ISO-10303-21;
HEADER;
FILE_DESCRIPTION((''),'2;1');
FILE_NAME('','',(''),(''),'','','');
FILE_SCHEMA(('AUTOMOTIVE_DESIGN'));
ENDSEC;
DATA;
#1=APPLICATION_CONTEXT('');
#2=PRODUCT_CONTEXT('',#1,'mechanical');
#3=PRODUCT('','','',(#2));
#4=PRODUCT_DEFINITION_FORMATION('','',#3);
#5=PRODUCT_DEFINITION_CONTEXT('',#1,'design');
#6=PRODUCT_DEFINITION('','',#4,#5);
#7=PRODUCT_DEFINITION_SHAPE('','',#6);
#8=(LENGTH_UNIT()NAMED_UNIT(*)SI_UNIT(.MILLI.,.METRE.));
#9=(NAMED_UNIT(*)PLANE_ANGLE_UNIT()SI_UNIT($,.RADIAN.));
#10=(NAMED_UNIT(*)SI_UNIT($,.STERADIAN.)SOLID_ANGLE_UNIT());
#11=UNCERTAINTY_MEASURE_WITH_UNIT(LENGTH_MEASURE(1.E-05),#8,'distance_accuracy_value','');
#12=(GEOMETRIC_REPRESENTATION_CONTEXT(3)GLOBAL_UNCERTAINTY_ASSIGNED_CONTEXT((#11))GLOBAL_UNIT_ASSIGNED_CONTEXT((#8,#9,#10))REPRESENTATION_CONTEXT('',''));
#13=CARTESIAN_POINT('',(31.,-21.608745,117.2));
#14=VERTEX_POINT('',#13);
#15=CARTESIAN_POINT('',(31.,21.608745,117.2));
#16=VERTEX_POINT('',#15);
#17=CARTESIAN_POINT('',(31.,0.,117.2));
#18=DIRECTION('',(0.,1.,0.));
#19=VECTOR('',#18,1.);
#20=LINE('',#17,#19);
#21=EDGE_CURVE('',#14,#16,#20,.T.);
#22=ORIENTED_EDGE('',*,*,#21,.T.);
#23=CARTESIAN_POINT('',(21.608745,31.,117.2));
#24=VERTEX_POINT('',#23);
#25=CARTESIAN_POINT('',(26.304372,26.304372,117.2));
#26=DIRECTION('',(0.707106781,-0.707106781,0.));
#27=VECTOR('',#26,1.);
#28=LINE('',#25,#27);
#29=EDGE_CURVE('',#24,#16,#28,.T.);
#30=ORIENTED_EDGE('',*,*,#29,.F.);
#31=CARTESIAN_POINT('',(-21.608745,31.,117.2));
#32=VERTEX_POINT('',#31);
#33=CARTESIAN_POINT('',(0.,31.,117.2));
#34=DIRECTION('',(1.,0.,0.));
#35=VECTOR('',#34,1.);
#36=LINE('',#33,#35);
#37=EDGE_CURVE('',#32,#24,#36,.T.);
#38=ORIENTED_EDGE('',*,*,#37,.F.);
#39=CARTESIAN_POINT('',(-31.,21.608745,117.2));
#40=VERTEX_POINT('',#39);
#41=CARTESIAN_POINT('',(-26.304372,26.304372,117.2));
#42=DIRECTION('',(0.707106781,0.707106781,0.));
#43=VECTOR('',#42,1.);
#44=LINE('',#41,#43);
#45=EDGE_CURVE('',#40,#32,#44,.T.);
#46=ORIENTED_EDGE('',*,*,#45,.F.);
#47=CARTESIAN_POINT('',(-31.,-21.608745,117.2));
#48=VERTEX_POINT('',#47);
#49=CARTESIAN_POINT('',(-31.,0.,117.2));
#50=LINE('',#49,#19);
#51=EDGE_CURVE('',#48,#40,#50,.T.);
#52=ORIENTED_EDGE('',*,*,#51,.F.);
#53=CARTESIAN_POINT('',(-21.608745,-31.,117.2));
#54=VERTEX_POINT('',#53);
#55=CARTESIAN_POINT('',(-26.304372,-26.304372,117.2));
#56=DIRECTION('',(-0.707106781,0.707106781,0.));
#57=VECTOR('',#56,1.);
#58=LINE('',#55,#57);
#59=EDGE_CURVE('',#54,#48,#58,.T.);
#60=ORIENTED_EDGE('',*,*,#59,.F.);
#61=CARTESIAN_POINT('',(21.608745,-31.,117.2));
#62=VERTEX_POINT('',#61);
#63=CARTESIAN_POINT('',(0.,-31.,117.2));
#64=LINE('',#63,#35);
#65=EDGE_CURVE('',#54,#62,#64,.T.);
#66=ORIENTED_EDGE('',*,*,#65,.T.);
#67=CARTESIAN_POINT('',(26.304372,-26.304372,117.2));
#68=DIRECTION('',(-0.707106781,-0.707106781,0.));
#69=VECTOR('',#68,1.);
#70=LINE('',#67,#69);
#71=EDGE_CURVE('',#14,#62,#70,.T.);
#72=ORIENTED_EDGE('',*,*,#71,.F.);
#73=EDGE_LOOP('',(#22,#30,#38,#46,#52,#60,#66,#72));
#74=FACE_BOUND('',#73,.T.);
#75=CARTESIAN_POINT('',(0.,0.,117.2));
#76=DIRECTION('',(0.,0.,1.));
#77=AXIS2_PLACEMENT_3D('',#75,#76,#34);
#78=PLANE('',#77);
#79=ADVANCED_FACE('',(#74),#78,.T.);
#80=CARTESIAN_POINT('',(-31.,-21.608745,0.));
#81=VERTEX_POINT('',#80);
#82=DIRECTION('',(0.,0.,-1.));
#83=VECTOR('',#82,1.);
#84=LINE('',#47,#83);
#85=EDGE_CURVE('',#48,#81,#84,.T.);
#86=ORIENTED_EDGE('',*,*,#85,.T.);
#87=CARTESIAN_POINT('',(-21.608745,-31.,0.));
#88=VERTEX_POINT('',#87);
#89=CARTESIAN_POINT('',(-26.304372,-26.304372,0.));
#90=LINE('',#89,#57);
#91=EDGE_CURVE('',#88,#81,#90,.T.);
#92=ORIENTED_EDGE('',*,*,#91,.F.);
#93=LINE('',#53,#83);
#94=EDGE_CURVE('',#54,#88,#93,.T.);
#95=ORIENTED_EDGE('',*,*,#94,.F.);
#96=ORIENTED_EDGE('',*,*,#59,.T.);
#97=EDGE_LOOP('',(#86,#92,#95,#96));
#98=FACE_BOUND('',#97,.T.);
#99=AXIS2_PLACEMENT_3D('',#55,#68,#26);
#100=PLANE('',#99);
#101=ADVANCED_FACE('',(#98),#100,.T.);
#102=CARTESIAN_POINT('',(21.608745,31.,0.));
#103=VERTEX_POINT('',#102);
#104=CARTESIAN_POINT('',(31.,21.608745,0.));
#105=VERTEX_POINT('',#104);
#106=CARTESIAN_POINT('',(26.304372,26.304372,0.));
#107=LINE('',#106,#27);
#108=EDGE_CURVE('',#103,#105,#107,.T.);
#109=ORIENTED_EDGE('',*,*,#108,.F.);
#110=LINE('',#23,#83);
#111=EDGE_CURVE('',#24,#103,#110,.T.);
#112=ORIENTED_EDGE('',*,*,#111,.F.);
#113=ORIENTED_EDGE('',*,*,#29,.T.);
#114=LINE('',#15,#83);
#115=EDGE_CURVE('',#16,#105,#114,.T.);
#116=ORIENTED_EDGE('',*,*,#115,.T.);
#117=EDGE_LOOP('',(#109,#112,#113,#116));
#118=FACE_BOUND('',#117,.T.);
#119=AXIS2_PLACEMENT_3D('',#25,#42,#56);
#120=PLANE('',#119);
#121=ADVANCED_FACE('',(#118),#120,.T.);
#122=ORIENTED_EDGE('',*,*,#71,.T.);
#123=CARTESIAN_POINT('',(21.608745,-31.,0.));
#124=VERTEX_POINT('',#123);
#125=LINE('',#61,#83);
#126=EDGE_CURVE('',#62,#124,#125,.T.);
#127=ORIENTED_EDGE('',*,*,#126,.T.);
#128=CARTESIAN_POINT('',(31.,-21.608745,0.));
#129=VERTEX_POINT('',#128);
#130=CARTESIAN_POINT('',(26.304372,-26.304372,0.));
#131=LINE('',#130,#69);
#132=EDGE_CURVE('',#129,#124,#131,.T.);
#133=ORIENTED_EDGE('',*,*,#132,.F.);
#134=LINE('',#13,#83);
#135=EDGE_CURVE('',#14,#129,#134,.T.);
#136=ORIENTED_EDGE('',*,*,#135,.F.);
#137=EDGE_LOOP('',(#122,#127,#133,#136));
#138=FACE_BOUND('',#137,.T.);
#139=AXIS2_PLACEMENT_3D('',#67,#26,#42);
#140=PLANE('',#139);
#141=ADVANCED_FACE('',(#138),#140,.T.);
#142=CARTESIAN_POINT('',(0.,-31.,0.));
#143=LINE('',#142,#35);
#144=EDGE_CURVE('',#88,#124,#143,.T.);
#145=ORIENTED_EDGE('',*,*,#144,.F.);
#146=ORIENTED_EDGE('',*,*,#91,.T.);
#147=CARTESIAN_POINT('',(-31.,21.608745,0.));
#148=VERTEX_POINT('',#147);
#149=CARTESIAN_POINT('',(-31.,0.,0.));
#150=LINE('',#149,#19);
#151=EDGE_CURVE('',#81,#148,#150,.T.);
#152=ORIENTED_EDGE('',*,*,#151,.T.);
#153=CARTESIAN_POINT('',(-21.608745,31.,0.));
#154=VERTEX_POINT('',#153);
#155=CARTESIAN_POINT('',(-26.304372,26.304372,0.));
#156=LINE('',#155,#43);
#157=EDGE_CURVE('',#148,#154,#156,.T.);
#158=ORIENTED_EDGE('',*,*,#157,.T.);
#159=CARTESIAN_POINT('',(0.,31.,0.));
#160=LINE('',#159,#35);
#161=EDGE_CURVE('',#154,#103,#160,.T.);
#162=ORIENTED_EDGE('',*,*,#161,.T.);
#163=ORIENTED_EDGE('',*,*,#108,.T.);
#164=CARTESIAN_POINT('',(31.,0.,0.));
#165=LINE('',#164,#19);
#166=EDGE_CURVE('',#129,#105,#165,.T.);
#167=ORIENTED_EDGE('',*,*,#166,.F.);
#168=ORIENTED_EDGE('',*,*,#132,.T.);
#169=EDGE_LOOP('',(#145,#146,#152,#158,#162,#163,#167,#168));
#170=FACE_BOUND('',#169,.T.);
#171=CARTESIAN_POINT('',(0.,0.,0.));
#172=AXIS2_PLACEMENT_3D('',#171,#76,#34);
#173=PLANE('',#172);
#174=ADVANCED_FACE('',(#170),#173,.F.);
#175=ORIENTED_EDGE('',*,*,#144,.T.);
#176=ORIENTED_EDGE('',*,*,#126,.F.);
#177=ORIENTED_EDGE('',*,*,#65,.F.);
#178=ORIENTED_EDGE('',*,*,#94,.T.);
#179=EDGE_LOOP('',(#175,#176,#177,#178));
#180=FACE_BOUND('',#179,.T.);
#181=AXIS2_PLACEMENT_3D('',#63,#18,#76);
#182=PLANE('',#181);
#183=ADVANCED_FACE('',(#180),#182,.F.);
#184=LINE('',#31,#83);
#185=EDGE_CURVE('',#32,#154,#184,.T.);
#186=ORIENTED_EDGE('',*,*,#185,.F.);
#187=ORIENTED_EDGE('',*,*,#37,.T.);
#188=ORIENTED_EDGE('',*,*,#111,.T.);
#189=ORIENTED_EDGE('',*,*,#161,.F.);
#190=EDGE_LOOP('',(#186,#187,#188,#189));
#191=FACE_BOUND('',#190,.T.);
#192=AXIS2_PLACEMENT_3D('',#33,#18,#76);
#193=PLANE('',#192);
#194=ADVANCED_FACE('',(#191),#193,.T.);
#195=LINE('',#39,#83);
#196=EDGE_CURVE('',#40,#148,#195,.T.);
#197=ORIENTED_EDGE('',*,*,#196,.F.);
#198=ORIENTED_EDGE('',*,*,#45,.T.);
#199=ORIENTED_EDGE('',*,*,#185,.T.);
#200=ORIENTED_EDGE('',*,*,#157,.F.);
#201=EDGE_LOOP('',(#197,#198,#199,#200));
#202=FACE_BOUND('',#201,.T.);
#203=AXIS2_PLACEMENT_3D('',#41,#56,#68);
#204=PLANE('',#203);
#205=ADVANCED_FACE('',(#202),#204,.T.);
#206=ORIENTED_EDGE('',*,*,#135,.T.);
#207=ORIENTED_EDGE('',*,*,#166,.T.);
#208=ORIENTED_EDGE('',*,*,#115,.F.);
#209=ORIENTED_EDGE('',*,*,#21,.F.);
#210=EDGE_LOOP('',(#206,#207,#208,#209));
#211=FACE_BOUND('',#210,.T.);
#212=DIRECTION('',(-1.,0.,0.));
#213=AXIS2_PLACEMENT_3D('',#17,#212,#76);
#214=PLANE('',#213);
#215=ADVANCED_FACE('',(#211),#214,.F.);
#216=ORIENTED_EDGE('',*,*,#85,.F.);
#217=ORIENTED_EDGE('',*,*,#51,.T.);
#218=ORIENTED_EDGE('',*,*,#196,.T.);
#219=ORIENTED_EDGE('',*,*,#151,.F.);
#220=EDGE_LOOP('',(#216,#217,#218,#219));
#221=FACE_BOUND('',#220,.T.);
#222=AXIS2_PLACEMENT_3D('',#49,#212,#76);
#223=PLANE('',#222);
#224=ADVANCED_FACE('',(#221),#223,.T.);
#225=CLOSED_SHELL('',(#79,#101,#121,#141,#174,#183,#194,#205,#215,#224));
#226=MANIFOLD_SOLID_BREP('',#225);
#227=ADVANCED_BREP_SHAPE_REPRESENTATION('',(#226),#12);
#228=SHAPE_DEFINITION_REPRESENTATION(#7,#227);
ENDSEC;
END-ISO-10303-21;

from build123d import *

# Parameters (mm, degrees)
EXTRUDE_2_DEPTH = 293
SCALE_3_SCALE   = 0.4


with BuildPart() as part:
    # 草图3 → 凸台-拉伸2 (new body)
    with BuildSketch(Plane.XY):
        Polygon((-77.5, -54.021861301), (-54.021861301, -77.5), (54.021861301, -77.5), (77.5, -54.021861301), (77.5, 54.021861301), (54.021861301, 77.5), (-54.021861301, 77.5), (-77.5, 54.021861301), align=None)
    extrude(amount=EXTRUDE_2_DEPTH)


with BuildPart() as part_1:
    # 缩放比例3: scaled about (0, 0, 0)
    add(part.part.scale(SCALE_3_SCALE))


solid = part_1.part
